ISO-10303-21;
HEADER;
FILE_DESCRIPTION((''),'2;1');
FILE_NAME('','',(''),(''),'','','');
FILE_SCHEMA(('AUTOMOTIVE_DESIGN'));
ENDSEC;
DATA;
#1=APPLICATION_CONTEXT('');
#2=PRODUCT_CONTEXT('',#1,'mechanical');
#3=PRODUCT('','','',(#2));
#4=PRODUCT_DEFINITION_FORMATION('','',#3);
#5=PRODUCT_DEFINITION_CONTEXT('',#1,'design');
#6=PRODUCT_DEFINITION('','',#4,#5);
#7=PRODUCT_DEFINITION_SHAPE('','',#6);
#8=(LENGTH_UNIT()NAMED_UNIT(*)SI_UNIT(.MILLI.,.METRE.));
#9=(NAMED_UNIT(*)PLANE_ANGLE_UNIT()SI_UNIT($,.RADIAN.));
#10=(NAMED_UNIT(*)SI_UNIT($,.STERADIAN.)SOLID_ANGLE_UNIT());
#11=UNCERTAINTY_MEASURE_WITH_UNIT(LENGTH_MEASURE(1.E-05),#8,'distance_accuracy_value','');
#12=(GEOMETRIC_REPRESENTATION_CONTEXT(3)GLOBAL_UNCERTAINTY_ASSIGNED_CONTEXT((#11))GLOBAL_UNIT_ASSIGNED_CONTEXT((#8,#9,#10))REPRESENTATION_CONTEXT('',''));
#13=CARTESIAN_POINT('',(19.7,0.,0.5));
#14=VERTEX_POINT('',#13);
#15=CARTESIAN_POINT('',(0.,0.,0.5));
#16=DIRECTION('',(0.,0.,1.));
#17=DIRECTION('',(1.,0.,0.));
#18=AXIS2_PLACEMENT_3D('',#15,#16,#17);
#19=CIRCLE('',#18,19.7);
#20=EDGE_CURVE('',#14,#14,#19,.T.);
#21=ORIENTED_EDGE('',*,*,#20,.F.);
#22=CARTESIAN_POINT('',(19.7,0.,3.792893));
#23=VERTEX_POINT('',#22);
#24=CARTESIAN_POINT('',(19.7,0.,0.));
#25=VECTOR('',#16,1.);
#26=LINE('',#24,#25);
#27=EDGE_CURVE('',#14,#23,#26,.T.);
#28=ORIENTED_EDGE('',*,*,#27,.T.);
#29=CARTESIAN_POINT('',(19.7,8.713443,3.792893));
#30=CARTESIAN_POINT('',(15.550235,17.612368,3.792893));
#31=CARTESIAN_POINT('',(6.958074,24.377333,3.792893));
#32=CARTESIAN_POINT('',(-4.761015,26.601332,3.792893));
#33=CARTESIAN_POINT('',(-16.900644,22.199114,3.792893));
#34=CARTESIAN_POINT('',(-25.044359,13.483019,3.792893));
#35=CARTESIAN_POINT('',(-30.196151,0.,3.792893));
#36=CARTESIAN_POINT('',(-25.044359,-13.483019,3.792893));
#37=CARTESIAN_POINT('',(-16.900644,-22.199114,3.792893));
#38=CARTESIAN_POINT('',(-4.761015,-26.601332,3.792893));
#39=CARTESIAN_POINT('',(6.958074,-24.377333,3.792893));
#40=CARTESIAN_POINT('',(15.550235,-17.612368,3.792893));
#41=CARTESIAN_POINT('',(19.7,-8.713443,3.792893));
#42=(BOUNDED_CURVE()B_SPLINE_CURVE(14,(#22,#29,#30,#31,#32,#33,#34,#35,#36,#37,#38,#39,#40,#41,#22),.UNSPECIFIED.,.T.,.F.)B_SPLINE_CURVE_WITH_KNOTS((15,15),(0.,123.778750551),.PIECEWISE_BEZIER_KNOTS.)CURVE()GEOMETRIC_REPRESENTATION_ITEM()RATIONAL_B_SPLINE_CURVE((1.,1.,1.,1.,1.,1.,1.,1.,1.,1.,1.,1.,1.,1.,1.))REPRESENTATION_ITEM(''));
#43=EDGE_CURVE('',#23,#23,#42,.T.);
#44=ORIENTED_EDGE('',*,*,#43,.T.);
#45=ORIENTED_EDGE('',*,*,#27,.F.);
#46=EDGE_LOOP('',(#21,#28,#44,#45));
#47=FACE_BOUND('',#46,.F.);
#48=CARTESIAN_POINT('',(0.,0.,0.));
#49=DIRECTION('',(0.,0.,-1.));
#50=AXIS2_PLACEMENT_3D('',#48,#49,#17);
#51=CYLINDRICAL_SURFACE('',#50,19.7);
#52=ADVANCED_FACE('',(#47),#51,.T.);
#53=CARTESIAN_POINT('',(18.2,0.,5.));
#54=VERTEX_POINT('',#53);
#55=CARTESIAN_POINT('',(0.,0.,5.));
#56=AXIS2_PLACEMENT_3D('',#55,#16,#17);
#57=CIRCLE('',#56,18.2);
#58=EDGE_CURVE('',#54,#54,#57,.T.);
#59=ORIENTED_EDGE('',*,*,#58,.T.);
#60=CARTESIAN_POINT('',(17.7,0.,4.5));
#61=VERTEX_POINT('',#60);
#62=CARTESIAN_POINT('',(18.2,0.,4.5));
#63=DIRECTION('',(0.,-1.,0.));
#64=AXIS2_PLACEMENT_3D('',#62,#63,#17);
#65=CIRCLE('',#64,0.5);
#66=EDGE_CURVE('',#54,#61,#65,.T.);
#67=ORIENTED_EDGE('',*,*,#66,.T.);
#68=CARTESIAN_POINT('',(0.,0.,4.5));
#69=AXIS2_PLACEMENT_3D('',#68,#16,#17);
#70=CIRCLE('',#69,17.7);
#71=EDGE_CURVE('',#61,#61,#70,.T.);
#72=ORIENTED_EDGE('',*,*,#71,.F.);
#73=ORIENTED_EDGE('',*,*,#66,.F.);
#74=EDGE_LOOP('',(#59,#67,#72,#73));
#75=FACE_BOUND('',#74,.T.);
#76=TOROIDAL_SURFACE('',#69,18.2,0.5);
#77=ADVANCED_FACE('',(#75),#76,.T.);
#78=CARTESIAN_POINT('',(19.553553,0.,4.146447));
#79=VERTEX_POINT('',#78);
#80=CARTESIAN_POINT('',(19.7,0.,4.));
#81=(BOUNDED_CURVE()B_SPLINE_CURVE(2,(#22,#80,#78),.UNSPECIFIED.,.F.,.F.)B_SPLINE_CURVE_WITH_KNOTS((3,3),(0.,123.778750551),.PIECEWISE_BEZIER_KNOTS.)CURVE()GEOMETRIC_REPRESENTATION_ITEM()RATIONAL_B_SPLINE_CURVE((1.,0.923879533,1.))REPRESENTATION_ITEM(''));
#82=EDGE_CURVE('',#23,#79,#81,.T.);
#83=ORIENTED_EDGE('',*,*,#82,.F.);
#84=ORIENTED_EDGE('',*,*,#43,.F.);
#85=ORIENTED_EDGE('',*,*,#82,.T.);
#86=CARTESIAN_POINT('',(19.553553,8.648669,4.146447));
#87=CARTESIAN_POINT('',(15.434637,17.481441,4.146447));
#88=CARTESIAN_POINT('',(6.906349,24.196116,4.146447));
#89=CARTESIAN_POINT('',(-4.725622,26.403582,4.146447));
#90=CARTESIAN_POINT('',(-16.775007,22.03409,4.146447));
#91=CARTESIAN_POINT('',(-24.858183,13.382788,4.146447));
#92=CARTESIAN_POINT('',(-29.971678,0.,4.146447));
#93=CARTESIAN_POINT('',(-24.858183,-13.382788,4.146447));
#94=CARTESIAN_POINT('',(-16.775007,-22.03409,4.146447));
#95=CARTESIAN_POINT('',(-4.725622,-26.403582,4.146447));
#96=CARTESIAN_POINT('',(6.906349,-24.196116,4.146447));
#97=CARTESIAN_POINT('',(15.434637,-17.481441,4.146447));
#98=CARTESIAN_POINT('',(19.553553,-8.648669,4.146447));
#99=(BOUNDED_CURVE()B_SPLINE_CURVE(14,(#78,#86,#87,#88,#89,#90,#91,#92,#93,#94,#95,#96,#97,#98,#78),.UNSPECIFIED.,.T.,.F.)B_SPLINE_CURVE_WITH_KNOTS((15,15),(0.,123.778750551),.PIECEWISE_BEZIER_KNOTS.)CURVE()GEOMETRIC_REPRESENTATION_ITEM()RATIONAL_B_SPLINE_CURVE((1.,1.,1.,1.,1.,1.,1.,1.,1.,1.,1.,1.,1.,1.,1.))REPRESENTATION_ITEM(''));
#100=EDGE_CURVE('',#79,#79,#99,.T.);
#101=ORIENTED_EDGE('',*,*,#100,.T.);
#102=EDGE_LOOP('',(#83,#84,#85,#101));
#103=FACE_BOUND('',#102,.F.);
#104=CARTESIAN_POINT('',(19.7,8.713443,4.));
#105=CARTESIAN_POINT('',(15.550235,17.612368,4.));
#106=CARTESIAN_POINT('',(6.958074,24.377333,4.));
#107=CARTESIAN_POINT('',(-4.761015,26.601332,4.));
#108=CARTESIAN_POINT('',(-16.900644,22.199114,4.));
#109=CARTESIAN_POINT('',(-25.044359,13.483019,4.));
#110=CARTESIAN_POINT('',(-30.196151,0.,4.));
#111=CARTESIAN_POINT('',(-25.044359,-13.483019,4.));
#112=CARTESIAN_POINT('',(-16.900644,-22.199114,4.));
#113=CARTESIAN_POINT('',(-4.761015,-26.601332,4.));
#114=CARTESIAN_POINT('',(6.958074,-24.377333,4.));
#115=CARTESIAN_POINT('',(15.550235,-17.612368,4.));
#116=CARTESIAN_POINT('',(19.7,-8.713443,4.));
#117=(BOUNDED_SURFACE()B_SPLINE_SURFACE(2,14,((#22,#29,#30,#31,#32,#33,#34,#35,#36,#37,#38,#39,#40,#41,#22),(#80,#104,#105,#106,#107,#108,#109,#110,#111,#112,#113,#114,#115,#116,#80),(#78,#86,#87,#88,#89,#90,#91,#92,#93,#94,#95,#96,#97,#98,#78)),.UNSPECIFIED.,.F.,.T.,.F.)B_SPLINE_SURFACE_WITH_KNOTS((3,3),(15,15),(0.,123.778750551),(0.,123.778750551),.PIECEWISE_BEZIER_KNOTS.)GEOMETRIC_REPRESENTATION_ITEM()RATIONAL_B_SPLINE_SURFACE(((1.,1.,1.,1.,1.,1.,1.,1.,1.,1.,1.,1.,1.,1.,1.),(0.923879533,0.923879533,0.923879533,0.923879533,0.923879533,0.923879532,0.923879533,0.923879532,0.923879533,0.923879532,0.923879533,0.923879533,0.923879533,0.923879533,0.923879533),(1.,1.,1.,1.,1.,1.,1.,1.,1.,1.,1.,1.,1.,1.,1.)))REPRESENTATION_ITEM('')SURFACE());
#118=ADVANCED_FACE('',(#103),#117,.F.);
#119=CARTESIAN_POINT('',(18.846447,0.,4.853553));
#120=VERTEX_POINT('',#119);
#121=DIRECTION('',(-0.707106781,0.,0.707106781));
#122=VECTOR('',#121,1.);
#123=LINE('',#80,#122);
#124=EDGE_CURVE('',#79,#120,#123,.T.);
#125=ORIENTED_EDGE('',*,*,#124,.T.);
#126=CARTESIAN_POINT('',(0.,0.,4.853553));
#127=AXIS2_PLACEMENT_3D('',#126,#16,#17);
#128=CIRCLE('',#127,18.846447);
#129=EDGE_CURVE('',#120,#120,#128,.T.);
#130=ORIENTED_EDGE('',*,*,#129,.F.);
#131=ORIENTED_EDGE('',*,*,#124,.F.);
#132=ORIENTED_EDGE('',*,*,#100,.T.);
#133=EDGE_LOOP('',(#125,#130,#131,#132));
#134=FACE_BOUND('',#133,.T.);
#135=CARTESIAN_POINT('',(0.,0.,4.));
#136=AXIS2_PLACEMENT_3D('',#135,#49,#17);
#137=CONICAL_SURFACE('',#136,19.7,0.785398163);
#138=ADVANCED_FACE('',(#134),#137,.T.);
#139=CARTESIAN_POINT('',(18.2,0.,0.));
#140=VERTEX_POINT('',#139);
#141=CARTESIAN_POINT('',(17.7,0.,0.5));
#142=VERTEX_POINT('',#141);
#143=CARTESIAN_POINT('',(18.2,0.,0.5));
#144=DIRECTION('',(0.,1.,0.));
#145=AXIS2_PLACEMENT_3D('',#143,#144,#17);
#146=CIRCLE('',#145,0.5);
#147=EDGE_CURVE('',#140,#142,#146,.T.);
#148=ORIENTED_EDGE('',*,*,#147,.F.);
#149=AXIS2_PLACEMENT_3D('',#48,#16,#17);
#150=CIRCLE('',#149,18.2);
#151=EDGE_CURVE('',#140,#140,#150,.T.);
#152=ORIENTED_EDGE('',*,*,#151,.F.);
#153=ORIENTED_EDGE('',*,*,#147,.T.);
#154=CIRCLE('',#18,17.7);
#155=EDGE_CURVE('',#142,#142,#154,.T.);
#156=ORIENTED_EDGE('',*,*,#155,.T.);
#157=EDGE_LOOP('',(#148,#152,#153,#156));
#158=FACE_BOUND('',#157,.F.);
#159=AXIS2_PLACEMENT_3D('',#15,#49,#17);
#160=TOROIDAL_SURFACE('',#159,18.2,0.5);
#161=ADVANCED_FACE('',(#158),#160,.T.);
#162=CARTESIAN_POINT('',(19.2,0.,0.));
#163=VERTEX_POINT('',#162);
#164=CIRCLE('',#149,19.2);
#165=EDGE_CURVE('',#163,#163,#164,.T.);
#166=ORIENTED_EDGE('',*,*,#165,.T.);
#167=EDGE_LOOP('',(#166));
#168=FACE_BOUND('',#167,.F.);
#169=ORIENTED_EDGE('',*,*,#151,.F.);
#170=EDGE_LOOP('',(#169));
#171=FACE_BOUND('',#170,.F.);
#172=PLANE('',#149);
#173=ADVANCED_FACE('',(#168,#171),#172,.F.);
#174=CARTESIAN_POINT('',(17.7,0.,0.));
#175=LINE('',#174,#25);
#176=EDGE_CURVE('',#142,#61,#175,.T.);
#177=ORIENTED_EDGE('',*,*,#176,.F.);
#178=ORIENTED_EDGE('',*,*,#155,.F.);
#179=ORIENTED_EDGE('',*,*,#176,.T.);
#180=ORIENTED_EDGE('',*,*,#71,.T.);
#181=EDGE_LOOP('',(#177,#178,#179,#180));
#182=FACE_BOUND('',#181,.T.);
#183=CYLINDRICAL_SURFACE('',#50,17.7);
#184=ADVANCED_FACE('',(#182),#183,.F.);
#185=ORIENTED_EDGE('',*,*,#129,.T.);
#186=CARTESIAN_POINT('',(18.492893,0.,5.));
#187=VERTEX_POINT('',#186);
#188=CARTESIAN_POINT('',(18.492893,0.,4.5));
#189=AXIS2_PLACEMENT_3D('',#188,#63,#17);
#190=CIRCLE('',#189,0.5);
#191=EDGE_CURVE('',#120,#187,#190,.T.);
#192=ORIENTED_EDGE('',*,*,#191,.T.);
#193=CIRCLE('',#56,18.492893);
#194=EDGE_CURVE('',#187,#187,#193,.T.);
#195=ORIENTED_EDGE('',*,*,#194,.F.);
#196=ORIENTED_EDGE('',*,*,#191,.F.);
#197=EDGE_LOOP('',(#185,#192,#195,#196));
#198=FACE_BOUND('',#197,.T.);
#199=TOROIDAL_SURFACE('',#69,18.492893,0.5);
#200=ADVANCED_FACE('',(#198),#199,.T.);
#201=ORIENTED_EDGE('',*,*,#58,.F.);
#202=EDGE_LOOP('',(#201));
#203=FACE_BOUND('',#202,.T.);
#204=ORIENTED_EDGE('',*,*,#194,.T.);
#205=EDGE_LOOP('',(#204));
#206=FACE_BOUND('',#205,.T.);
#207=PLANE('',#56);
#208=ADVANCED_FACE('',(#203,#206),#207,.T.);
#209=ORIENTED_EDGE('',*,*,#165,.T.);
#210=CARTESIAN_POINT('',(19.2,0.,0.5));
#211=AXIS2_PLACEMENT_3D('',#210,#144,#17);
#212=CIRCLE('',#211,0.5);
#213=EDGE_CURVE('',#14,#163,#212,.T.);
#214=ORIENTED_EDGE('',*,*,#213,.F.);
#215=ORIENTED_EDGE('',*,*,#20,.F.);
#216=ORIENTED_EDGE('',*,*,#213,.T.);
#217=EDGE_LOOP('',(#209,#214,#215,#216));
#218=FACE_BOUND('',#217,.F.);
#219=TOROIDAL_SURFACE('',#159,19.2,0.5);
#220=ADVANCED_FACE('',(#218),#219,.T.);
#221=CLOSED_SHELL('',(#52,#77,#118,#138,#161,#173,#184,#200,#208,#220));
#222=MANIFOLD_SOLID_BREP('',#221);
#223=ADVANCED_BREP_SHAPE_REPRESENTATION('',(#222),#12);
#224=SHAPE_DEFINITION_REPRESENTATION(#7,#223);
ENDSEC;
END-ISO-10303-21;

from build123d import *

# Parameters (mm, degrees)
F0_R     = 19.7
F1_DEPTH = 5
F2_T     = -2
F3_SIZE  = 1
F4_R     = 0.5


with BuildPart() as f1:
    # F0 (on Top) → F1 (new body)
    with BuildSketch(Plane.XY):
        Circle(F0_R)
    extrude(amount=F1_DEPTH)

    # F2
    f2_openings = [f1.faces().sort_by_distance(p)[0] for p in [
        (0, 0, 5),
        (0, 0, 0),
    ]]
    offset(amount=F2_T, openings=f2_openings)

    # F3
    f3_edges = [f1.edges().sort_by_distance(p)[0] for p in [
        (-19.7, 0, 5),
    ]]
    chamfer(f3_edges, length=F3_SIZE)

    # F4
    f4_edges = [f1.edges().sort_by_distance(p)[0] for p in [
        (19.2, 0, 4.5),
        (-19.7, 0, 4),
        (-18.7, 0, 5),
        (-19.7, 0, 0),
        (-17.7, 0, 5),
        (-17.7, 0, 0),
    ]]
    fillet(f4_edges, radius=F4_R)


solid = f1.part
